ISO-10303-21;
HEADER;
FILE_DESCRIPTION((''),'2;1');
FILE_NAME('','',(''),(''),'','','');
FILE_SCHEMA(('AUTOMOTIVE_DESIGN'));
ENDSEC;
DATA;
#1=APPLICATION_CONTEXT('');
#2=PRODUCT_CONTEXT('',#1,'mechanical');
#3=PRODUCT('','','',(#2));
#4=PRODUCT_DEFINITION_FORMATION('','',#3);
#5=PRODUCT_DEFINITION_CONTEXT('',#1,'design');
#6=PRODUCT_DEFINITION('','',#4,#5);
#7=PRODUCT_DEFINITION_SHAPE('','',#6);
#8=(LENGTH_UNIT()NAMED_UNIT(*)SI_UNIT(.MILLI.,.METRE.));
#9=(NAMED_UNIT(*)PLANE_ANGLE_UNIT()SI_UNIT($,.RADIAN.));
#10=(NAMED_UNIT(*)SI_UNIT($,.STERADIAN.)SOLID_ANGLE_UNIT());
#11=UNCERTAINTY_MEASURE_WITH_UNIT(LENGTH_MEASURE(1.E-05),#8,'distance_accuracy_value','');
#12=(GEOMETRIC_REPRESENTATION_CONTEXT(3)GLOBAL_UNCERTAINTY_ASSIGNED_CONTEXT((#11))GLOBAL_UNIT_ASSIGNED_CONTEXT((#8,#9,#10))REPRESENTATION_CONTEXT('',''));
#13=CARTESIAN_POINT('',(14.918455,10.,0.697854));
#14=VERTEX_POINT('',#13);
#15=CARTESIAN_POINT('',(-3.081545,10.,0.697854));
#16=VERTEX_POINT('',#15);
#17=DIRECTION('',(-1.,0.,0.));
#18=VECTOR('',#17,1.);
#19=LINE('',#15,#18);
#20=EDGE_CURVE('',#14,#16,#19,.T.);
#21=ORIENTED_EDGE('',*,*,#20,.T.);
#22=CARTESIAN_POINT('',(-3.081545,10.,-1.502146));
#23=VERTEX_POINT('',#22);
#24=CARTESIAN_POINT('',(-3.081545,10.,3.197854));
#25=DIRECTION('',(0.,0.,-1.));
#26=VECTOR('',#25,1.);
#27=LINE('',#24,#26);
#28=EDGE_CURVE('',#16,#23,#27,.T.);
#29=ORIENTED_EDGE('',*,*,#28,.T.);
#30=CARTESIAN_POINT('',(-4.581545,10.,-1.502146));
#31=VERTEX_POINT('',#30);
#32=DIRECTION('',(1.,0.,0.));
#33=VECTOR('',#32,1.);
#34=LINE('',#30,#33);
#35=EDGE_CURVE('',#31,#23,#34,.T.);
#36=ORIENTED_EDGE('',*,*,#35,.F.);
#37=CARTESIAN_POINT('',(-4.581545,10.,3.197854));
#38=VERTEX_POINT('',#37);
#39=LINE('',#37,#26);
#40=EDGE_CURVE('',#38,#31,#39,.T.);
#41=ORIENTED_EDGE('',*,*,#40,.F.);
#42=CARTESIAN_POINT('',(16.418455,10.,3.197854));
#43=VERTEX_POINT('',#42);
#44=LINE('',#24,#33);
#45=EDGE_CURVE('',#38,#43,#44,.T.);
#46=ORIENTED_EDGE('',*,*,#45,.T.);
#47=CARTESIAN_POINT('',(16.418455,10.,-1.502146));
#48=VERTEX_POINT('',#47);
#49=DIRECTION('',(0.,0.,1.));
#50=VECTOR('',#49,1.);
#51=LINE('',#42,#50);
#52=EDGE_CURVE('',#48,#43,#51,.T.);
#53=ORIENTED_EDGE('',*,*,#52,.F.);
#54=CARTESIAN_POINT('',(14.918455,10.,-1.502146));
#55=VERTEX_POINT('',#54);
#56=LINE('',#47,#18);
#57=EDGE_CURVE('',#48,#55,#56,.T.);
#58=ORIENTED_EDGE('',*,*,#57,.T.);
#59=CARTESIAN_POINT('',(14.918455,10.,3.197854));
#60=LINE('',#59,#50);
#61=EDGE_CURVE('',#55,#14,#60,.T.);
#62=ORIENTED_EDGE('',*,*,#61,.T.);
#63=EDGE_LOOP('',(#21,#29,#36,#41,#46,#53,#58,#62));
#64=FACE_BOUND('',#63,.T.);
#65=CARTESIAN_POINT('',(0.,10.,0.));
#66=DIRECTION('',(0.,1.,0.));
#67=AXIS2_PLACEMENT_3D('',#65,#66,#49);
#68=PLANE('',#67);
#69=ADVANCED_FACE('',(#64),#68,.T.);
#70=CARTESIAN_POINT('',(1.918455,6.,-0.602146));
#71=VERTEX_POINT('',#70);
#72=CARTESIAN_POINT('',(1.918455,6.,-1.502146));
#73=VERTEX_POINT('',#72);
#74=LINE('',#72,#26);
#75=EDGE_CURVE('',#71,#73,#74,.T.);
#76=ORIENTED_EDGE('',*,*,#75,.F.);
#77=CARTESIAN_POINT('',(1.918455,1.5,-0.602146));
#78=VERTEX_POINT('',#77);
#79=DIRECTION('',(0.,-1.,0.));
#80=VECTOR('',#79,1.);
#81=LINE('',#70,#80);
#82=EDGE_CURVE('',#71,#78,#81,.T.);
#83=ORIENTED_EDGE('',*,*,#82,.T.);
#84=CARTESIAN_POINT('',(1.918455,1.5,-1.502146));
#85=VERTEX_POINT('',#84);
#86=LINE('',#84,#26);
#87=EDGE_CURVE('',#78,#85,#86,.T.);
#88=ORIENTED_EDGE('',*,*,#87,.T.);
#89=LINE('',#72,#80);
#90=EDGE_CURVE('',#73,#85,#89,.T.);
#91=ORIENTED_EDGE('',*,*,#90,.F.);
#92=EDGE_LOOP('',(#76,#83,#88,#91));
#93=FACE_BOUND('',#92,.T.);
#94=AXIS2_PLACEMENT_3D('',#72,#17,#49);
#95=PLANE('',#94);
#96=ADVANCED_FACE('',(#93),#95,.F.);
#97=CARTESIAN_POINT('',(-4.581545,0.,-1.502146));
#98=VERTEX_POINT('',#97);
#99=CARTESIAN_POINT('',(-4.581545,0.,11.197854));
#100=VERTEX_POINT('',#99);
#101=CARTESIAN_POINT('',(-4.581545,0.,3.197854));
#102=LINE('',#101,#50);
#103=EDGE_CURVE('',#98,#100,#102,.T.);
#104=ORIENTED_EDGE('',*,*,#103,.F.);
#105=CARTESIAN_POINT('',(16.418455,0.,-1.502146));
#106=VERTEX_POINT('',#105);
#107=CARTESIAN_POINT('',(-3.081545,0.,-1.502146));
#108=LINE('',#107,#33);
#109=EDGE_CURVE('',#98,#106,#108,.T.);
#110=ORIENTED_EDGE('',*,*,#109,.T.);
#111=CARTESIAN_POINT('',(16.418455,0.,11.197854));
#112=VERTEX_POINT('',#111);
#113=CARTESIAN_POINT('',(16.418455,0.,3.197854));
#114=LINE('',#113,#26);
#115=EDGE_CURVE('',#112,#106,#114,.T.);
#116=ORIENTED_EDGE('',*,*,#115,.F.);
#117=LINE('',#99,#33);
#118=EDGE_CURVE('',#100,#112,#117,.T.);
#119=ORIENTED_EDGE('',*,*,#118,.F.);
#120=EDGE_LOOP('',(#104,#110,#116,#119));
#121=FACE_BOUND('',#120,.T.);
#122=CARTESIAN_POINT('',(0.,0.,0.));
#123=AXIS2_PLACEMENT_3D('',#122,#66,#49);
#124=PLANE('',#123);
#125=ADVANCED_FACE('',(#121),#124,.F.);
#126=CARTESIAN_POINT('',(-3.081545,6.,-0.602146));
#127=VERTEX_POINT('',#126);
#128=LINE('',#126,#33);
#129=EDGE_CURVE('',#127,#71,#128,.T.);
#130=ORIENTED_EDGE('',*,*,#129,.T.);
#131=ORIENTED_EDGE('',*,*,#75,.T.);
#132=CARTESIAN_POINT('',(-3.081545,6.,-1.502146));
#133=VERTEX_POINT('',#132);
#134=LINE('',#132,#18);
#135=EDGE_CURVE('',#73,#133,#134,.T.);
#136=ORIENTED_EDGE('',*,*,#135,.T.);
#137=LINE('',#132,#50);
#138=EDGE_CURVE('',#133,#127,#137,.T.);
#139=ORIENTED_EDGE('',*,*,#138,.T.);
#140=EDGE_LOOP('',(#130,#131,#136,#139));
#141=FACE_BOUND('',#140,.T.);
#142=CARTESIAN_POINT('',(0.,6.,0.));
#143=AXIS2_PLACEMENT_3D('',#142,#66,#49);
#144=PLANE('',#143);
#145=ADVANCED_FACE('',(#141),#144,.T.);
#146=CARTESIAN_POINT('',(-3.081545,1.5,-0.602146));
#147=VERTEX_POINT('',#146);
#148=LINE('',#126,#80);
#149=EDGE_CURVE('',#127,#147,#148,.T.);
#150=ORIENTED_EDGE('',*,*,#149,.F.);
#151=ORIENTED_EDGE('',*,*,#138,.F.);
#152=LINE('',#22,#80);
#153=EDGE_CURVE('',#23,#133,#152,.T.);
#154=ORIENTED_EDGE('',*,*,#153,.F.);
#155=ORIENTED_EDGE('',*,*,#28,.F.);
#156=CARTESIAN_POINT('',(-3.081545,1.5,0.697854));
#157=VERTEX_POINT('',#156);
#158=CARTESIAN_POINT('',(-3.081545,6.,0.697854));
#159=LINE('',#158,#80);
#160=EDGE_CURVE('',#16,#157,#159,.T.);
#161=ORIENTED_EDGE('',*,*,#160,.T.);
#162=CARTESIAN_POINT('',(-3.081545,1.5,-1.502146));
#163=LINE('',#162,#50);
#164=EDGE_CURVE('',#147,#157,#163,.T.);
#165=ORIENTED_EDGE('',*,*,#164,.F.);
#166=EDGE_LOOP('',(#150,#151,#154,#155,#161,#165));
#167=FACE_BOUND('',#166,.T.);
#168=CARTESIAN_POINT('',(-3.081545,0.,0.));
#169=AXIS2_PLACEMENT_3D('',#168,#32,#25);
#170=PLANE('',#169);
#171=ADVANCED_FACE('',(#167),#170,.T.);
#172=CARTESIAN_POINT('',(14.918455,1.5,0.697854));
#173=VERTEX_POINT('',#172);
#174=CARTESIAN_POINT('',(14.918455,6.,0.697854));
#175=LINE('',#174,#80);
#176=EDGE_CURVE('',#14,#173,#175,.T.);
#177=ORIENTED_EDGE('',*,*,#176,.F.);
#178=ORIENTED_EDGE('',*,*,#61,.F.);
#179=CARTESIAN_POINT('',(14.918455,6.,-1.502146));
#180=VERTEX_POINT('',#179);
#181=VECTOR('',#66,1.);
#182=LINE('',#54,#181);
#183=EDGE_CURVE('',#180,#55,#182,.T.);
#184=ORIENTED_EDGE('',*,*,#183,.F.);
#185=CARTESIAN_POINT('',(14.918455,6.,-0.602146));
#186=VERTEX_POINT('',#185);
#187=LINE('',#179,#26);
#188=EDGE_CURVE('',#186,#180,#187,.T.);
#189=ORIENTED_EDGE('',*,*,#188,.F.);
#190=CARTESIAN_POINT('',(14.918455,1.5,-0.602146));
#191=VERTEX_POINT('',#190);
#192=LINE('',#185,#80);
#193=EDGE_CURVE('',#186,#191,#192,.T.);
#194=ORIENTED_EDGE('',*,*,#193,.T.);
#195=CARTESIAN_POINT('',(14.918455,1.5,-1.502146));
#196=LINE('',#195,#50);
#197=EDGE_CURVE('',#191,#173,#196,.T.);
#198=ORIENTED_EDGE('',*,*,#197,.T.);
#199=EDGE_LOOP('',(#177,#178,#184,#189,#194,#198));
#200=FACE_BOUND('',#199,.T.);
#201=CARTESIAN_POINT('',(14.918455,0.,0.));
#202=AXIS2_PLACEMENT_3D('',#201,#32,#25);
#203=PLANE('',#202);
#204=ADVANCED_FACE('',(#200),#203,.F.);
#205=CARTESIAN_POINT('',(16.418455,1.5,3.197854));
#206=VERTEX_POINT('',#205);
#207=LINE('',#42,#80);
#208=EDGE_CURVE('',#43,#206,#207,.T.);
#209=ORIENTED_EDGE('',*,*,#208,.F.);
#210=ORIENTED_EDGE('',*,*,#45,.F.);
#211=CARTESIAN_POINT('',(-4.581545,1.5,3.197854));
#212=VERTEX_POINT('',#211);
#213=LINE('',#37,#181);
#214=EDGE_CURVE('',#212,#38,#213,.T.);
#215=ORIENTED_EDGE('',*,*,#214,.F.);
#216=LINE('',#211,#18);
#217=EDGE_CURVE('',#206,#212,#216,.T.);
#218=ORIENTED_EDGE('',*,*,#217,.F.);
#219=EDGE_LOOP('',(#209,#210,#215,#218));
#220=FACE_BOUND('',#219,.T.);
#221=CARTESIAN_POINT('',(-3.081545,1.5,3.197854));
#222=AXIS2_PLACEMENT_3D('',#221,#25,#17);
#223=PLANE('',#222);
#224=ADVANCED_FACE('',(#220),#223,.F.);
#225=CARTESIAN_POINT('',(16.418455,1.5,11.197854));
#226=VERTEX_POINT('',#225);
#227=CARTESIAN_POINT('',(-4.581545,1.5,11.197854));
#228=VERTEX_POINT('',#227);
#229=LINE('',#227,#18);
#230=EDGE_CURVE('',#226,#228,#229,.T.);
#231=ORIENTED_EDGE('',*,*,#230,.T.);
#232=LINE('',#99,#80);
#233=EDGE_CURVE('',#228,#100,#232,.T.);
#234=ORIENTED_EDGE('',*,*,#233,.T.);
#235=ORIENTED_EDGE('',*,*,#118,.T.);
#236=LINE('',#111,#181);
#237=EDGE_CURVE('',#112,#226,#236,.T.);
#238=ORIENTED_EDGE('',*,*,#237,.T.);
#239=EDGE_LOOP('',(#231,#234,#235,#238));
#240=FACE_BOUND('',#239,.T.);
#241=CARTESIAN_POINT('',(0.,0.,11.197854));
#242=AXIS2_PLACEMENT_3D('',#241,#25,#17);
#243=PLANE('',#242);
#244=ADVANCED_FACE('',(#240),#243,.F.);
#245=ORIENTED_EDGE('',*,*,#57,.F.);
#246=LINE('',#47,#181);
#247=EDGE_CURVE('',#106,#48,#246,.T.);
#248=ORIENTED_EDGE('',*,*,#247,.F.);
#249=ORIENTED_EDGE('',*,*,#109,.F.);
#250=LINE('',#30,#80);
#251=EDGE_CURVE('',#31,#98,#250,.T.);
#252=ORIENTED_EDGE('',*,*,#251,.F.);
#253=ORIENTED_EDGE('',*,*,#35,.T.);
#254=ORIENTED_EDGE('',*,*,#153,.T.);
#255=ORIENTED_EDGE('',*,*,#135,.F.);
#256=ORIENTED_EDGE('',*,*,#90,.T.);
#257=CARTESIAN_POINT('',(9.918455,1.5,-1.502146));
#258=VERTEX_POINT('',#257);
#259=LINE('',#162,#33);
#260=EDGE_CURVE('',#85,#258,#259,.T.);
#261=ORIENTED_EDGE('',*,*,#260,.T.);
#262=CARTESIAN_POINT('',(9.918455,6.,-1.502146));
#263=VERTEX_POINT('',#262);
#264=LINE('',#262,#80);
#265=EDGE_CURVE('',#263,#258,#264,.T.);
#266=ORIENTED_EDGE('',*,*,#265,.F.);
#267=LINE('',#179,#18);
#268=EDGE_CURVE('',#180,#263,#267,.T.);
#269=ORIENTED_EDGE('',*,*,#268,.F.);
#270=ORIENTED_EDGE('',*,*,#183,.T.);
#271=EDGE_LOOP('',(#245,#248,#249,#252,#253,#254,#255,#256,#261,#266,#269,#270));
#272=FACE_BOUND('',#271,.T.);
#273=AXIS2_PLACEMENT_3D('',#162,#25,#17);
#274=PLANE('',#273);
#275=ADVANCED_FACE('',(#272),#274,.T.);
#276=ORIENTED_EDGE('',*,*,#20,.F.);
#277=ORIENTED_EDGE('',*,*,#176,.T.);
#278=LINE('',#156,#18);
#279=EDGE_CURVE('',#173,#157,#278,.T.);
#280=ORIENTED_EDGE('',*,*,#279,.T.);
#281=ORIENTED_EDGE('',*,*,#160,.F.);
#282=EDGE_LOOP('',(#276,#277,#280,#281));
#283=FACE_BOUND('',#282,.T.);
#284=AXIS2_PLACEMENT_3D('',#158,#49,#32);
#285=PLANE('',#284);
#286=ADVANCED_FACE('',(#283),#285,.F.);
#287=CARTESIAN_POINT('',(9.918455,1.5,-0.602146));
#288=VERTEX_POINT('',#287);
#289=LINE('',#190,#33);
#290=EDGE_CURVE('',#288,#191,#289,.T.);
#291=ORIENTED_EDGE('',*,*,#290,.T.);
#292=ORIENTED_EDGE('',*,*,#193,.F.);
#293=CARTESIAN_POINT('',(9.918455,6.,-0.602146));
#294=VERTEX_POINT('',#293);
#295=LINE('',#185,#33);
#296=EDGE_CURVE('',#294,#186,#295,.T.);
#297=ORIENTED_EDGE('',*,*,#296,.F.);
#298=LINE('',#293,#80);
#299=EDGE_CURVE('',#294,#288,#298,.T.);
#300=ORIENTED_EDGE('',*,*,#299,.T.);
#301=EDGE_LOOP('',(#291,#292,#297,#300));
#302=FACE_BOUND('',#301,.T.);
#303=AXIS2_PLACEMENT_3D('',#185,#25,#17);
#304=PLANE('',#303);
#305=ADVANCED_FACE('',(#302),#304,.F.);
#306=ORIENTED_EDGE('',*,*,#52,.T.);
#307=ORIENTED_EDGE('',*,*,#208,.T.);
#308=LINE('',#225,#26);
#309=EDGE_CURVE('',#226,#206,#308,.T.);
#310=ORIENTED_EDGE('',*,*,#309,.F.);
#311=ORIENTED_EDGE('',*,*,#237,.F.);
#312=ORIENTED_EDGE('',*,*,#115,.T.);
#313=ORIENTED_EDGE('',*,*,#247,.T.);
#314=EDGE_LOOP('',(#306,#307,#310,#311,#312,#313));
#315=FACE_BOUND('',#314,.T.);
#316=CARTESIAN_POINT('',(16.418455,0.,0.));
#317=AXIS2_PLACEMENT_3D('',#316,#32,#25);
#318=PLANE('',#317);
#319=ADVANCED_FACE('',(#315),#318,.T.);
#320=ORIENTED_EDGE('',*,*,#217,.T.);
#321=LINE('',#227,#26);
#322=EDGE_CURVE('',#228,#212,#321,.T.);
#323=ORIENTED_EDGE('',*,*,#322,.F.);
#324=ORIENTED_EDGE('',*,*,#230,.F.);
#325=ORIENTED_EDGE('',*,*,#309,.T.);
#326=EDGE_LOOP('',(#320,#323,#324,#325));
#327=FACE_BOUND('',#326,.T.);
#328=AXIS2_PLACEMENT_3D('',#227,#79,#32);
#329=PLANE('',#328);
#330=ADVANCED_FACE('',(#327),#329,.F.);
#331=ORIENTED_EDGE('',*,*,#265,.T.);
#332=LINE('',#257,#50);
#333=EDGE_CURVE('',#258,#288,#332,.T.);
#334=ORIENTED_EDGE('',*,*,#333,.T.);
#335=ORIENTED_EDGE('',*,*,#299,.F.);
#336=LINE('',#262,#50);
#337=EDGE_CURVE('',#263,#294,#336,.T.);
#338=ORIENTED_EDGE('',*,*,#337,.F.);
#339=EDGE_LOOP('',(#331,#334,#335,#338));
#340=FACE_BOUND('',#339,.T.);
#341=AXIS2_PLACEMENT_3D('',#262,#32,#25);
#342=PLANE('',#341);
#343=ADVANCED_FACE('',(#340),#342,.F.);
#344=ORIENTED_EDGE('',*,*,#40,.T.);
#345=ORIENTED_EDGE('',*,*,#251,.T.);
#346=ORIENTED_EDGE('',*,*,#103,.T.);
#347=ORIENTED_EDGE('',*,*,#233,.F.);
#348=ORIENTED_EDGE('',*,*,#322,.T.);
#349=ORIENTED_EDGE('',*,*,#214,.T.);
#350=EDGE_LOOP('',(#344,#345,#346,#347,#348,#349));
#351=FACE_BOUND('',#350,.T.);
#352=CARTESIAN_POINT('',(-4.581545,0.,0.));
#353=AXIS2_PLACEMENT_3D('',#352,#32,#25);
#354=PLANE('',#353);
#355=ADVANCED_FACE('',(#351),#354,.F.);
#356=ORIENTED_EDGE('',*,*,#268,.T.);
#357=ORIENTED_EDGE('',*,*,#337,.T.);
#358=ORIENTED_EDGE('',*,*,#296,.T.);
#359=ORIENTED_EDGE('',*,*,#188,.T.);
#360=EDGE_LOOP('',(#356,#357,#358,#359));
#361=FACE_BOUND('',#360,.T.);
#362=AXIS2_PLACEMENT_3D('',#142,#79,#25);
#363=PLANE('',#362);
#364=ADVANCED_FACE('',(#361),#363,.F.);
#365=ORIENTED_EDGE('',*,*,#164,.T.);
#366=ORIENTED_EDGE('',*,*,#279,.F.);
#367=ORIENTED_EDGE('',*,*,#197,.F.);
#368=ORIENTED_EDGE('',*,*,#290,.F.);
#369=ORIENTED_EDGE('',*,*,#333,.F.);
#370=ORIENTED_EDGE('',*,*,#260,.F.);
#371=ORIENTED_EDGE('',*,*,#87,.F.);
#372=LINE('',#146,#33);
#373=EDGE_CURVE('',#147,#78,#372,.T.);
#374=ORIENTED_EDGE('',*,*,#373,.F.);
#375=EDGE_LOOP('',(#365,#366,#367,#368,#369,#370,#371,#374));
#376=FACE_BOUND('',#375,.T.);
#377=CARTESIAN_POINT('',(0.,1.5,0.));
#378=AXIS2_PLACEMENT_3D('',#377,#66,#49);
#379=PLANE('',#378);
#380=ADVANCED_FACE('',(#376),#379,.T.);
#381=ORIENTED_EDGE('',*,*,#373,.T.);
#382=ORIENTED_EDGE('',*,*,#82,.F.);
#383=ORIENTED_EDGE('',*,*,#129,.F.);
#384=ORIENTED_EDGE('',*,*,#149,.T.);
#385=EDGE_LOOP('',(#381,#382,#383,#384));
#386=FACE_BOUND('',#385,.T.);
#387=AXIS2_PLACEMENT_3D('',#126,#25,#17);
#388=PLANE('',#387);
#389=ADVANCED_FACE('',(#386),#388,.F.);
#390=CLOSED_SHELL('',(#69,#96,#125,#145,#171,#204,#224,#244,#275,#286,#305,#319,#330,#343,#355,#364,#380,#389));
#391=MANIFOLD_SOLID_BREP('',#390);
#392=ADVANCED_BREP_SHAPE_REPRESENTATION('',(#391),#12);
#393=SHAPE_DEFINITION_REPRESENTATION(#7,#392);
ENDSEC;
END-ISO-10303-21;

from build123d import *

# Parameters (mm, degrees)
SKETCH1_W           = 18
SKETCH1_H           = 4.7
BOSS_EXTRUDE1_DEPTH = 1.5
SKETCH2_W           = 5
SKETCH2_H           = 0.9
SKETCH2_W_2         = 18
SKETCH2_H_2         = 2.5
BOSS_EXTRUDE2_DEPTH = 4.5
SKETCH3_W           = 18
SKETCH3_H           = 2.5
BOSS_EXTRUDE3_DEPTH = 4
SKETCH4_W           = 4.7
SKETCH4_H           = 10
BOSS_EXTRUDE4_DEPTH = 1.5
SKETCH5_W           = 4.7
SKETCH5_H           = 10
BOSS_EXTRUDE5_DEPTH = 1.5
SKETCH6_W           = 21
SKETCH6_H           = 1.5
BOSS_EXTRUDE6_DEPTH = 8


with BuildPart() as part:
    # Sketch1 → Boss-Extrude1 (new body)
    with BuildSketch(Plane(origin=(0, 0, 0), x_dir=(1, 0, 0), z_dir=(0, 1, 0))):
        with Locations((5.918454936, -0.847854077)):
            Rectangle(SKETCH1_W, SKETCH1_H)
    extrude(amount=BOSS_EXTRUDE1_DEPTH)

    # Sketch2 → Boss-Extrude2 (add)
    with BuildSketch(Plane(origin=(0, 1.5, 0), x_dir=(1, 0, 0), z_dir=(0, 1, 0))):
        with Locations((-0.581545064, 1.052145923)):
            Rectangle(SKETCH2_W, SKETCH2_H)
        with Locations((12.418454936, 1.052145923)):
            Rectangle(SKETCH2_W, SKETCH2_H)
        with Locations((5.918454936, -1.947854077)):
            Rectangle(SKETCH2_W_2, SKETCH2_H_2)
    extrude(amount=BOSS_EXTRUDE2_DEPTH)

    # Sketch3 → Boss-Extrude3 (add)
    with BuildSketch(Plane(origin=(0, 6, 0), x_dir=(1, 0, 0), z_dir=(0, 1, 0))):
        with Locations((5.918454936, -1.947854077)):
            Rectangle(SKETCH3_W, SKETCH3_H)
    extrude(amount=BOSS_EXTRUDE3_DEPTH)

    # Sketch4 → Boss-Extrude4 (add)
    with BuildSketch(Plane(origin=(14.918454936, 0, 0), x_dir=(0, 0, -1), z_dir=(1, 0, 0))):
        with Locations((-0.847854077, 5)):
            Rectangle(SKETCH4_W, SKETCH4_H)
    extrude(amount=BOSS_EXTRUDE4_DEPTH)

    # Sketch5 → Boss-Extrude5 (add)
    with BuildSketch(Plane.ZY.offset(3.081545064)):
        with Locations((0.847854077, 5)):
            Rectangle(SKETCH5_W, SKETCH5_H)
    extrude(amount=BOSS_EXTRUDE5_DEPTH)

    # Sketch6 → Boss-Extrude6 (add)
    with BuildSketch(Plane.XY.offset(3.197854077)):
        with Locations((5.918454936, 0.75)):
            Rectangle(SKETCH6_W, SKETCH6_H)
    extrude(amount=BOSS_EXTRUDE6_DEPTH)


solid = part.part
